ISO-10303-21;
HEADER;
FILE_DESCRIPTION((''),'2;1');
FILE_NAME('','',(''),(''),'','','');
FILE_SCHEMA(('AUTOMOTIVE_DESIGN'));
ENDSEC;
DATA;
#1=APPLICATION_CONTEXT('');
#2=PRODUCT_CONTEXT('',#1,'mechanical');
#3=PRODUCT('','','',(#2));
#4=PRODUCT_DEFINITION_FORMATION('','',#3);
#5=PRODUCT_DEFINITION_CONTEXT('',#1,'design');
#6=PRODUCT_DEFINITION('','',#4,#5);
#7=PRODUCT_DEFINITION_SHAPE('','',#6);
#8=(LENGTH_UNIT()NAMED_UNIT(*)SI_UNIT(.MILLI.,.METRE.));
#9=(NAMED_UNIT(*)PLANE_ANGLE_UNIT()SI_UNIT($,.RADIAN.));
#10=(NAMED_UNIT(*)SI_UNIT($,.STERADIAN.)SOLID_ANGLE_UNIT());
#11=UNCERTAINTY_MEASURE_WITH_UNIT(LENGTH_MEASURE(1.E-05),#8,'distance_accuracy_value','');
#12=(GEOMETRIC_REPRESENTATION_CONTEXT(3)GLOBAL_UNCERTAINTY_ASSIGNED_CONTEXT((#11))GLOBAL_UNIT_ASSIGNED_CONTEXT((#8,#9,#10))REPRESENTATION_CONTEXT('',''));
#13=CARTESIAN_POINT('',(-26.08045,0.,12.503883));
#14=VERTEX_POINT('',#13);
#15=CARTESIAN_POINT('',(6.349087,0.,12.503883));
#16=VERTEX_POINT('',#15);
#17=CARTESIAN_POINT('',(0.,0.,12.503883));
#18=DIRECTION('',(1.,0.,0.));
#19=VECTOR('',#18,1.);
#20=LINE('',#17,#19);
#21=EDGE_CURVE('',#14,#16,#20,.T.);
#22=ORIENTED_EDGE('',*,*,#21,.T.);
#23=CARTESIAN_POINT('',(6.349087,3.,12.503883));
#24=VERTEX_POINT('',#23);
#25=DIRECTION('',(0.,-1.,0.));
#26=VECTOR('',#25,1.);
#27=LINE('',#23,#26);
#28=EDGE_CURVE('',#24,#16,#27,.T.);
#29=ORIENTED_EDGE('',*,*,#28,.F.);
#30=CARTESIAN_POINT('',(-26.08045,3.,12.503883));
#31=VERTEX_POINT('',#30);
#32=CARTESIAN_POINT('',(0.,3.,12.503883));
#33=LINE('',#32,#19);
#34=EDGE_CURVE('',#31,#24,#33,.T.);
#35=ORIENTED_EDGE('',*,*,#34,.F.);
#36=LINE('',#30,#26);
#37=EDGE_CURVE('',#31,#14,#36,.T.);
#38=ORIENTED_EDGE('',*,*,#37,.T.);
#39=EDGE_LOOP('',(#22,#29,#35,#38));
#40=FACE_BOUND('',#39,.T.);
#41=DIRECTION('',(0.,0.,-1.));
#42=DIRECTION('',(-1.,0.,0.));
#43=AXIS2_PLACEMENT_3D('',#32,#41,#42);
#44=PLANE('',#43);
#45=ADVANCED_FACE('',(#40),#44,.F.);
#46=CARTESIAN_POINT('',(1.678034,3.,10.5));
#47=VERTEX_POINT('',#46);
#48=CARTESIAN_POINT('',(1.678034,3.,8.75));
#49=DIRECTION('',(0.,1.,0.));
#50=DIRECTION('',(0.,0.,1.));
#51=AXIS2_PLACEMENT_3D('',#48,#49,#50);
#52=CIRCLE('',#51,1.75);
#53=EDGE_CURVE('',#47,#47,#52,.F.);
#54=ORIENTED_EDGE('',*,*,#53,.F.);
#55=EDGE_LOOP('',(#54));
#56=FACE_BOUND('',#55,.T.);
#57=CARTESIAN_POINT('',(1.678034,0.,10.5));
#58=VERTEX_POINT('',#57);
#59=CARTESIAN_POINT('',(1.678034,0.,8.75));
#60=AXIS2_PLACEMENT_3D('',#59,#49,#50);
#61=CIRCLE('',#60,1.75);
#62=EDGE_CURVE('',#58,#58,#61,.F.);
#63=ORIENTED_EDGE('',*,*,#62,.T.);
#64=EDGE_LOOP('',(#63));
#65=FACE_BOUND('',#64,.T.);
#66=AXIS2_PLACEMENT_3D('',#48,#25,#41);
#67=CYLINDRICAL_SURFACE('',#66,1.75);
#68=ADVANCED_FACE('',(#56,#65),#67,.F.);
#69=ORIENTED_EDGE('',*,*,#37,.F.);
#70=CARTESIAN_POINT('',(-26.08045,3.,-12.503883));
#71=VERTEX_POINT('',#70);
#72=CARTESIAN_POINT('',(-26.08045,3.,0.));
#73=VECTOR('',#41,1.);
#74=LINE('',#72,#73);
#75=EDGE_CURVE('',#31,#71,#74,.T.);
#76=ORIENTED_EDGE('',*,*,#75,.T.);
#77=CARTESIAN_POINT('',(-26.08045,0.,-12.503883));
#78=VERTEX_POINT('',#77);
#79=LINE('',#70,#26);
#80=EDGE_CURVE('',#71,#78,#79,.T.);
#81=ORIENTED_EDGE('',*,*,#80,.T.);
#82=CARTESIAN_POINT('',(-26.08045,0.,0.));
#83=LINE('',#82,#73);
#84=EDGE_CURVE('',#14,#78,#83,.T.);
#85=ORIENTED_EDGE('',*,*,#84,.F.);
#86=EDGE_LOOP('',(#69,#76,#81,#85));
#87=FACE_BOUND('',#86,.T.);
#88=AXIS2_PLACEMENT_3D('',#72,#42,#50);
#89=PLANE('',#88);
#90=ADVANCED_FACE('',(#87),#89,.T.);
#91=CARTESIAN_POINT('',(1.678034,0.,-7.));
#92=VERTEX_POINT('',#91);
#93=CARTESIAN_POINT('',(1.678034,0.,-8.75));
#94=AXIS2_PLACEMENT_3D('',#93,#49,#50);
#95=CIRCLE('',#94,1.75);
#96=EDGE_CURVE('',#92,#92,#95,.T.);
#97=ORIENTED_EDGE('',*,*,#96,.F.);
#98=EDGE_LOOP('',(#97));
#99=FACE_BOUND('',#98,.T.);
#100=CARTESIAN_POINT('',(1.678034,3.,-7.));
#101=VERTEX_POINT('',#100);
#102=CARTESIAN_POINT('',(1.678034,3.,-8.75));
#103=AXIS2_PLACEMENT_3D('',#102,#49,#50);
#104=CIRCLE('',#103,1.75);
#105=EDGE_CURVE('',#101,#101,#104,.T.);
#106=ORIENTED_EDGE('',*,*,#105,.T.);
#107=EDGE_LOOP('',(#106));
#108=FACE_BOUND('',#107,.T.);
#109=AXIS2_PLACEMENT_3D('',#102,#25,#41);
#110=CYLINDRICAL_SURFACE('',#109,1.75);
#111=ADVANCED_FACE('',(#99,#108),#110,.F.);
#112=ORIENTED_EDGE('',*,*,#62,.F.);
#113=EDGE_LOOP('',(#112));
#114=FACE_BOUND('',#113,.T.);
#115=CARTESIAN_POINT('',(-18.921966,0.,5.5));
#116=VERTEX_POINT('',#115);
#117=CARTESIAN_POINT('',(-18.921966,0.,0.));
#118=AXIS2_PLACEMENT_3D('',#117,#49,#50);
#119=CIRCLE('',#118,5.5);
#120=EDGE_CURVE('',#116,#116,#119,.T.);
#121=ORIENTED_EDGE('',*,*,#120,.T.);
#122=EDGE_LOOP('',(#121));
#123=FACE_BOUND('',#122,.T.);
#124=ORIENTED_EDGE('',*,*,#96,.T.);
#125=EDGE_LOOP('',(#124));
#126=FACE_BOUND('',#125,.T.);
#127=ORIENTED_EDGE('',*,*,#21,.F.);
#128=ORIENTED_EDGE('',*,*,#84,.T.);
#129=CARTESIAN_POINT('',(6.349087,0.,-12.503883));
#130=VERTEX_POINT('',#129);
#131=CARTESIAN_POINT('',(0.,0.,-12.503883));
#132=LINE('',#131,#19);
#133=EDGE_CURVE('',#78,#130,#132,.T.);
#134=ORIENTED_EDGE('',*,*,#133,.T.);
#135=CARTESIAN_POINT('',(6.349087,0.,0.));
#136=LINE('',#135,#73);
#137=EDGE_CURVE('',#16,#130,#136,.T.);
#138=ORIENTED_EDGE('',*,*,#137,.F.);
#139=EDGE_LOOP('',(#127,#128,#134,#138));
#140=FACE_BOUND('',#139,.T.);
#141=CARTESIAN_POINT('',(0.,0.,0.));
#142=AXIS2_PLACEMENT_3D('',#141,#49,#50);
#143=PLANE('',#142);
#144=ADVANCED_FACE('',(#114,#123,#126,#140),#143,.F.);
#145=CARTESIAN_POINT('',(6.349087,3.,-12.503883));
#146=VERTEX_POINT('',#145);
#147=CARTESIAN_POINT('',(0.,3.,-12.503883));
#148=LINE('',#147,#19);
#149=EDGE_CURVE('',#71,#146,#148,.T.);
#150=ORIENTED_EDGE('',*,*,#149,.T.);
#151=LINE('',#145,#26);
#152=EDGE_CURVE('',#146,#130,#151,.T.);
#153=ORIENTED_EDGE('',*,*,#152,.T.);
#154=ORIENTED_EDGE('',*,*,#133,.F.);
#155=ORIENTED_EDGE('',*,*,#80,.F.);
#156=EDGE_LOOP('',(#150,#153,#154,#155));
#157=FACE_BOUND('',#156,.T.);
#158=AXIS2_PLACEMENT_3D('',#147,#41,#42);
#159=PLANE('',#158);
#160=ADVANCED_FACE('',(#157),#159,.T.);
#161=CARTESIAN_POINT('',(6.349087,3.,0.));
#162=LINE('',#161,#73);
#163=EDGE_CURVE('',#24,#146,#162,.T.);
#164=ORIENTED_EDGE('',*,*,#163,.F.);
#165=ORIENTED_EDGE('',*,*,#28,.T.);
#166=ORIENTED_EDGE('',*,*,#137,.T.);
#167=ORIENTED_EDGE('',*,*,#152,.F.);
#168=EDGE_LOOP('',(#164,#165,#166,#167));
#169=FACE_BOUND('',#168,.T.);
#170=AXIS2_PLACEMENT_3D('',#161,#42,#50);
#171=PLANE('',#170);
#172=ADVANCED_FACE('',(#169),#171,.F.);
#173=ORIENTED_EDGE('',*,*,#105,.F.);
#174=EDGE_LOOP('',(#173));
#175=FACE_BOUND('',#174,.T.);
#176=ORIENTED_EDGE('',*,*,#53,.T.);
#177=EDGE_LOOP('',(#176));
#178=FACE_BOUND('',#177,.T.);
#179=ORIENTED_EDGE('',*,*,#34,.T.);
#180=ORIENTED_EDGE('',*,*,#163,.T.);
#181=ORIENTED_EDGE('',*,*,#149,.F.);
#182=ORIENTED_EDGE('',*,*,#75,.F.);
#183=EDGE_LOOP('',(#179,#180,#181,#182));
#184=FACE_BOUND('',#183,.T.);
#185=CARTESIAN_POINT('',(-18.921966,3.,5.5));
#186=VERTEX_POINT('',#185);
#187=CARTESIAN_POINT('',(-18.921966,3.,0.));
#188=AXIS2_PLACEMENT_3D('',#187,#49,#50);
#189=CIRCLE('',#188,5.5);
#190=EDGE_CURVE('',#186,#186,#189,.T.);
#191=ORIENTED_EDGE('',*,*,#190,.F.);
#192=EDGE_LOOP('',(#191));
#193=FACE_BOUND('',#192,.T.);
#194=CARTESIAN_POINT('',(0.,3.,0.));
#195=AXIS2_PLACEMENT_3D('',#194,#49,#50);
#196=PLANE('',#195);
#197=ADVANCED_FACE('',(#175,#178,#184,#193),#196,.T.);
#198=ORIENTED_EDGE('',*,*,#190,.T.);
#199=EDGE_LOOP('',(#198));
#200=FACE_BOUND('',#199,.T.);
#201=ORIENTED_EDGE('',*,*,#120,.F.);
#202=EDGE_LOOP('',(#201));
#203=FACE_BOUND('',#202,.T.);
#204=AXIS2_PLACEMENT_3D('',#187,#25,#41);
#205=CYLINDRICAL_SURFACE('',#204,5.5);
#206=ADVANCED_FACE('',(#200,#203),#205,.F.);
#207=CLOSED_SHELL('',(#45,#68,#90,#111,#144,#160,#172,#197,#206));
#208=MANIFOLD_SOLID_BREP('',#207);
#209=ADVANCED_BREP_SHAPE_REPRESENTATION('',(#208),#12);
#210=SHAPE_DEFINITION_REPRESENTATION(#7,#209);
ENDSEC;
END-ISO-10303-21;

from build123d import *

# Parameters (mm, degrees)
SKETCH1_W           = 32.429536638
SKETCH1_H           = 25.007766804
SKETCH1_R           = 1.75
SKETCH1_R_2         = 5.5
BOSS_EXTRUDE1_DEPTH = 3


with BuildPart() as part:
    # Sketch1 → Boss-Extrude1 (new body)
    with BuildSketch(Plane(origin=(0, 0, 0), x_dir=(1, 0, 0), z_dir=(0, 1, 0))):
        with Locations((-9.865681564, 0)):
            Rectangle(SKETCH1_W, SKETCH1_H)
        with Locations((1.678034292, -8.75)):
            Circle(SKETCH1_R, mode=Mode.SUBTRACT)
        with Locations((1.678034292, 8.75)):
            Circle(SKETCH1_R, mode=Mode.SUBTRACT)
        with Locations((-18.921965708, 0)):
            Circle(SKETCH1_R_2, mode=Mode.SUBTRACT)
    extrude(amount=BOSS_EXTRUDE1_DEPTH)


solid = part.part
